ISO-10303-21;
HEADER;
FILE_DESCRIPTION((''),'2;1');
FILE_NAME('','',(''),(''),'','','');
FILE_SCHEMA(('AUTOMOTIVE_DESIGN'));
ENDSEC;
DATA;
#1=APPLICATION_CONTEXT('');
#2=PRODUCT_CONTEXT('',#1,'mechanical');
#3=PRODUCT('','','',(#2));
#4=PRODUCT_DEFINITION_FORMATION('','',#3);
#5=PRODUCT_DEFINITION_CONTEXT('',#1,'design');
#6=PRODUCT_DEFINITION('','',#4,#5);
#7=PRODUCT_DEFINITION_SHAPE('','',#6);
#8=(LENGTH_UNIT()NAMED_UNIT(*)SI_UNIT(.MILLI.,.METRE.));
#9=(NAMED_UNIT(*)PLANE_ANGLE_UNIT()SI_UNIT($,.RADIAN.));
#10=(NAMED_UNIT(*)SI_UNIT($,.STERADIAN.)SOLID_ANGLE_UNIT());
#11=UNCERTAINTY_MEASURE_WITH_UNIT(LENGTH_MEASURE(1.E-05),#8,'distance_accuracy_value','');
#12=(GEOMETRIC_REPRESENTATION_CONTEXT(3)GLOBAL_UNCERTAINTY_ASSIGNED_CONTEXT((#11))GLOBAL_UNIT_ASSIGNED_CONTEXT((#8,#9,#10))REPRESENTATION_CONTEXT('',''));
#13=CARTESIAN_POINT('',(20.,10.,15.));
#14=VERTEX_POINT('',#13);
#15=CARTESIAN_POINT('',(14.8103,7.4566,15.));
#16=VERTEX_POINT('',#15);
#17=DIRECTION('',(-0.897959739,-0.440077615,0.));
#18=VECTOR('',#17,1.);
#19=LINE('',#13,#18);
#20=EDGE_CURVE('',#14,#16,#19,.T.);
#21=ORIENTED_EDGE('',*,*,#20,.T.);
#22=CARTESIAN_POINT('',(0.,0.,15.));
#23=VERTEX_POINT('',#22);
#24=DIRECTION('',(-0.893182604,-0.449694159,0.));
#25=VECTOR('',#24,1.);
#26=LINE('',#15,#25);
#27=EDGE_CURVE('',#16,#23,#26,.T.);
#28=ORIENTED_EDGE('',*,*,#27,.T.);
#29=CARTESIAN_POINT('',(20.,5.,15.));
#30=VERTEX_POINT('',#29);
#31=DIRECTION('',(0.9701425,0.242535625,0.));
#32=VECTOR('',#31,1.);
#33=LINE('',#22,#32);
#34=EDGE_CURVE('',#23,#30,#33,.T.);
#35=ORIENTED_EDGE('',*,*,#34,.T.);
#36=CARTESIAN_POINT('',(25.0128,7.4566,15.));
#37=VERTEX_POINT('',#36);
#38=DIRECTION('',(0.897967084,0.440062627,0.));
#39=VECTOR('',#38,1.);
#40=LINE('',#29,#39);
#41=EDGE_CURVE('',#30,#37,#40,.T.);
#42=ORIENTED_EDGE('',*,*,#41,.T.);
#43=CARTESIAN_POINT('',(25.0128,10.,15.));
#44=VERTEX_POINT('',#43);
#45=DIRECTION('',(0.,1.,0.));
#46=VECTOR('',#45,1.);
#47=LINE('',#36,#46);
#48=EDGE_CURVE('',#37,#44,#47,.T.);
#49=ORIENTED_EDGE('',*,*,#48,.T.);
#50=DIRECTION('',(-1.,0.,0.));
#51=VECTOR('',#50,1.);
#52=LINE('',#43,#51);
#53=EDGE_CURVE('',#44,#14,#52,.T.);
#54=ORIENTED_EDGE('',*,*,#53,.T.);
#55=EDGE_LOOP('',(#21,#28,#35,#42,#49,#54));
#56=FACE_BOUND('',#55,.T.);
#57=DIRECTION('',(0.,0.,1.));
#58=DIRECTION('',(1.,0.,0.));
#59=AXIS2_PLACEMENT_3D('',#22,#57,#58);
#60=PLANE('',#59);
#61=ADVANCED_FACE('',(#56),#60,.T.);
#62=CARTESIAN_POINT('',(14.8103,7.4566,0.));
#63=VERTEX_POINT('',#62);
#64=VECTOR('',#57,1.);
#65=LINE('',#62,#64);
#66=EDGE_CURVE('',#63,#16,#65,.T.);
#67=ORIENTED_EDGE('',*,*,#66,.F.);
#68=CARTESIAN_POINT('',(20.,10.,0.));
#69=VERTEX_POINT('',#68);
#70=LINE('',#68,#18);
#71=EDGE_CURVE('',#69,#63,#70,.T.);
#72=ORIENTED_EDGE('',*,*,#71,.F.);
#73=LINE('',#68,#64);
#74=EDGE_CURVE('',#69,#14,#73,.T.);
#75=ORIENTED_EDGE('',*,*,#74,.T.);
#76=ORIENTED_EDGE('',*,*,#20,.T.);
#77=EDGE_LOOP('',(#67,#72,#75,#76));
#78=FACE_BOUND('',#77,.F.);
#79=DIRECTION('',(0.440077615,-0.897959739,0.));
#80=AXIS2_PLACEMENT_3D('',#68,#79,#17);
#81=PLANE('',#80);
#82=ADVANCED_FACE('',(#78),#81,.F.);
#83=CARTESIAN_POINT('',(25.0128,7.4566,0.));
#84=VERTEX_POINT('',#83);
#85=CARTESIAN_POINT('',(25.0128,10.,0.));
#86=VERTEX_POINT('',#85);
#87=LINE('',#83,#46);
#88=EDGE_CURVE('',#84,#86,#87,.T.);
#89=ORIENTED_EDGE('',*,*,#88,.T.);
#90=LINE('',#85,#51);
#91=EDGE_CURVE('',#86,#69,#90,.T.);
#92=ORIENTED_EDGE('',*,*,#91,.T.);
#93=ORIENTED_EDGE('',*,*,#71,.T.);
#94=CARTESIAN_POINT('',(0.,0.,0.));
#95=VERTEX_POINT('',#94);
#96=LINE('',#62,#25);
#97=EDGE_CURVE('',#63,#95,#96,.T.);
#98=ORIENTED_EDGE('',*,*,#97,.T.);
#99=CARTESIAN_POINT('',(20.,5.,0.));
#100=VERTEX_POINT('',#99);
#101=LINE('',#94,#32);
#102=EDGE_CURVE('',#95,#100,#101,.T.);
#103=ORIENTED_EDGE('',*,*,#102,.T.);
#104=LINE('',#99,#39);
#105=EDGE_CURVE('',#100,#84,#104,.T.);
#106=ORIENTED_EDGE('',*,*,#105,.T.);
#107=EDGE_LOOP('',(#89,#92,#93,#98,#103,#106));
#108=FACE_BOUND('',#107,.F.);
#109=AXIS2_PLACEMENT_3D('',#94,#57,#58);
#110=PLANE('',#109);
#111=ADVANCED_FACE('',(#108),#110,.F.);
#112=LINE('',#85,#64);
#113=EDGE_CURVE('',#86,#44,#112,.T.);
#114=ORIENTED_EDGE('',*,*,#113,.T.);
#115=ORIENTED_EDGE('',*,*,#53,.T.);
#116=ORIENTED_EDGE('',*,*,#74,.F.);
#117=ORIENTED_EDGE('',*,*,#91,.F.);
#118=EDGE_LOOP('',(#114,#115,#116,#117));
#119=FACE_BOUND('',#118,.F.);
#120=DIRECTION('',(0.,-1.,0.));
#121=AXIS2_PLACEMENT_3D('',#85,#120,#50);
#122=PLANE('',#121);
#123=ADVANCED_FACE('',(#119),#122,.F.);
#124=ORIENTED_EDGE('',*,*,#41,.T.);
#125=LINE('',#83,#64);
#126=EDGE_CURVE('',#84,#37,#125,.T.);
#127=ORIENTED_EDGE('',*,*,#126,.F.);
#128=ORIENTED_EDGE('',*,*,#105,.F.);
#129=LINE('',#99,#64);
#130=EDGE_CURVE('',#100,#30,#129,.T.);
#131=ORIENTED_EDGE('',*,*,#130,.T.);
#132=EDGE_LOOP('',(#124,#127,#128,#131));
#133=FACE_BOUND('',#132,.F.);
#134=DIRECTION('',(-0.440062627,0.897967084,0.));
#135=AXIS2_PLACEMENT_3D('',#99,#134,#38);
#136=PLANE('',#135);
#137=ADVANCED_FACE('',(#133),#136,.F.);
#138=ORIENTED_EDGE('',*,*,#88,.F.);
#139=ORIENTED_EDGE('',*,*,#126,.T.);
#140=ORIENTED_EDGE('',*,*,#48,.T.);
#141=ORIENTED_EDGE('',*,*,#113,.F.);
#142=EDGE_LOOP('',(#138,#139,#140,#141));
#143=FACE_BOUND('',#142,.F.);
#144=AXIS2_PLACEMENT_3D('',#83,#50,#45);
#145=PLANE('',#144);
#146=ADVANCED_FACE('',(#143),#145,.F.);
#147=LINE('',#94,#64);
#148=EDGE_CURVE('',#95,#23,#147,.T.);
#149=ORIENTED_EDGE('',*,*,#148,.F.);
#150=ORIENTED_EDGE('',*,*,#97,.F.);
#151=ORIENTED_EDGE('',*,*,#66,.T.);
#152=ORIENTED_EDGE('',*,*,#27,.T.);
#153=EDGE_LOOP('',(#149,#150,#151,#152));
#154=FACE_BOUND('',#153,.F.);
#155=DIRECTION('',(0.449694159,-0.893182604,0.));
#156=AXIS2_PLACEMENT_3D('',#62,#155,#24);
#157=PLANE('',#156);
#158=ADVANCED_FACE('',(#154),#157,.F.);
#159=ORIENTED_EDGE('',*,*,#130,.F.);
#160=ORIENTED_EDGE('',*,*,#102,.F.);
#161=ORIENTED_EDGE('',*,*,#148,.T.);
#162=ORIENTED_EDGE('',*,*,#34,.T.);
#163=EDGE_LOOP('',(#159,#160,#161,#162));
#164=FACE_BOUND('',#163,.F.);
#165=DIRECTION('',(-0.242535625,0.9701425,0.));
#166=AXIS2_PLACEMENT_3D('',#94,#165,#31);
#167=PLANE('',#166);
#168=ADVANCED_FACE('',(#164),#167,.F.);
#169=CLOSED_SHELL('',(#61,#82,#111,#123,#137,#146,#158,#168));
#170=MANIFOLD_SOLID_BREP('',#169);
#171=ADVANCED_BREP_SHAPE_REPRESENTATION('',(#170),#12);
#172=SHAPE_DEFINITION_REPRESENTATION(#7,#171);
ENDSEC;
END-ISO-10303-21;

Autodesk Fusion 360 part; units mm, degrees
sketch "Sketch4" plane through (0, 0, 0) normal (0, 0, 1) x (1, 0, 0)
  line L0 (0, 0) -> (30, 0)
  line L1 (30, 0) -> (30, 10)
  line L2 (30, 10) -> (0, 10)
  line L3 (0, 10) -> (0, 0)
sketch "Sketch5" plane through (0, 0, 0) normal (0, 0, 1) x (1, 0, 0)
  line L0 (0, 0) -> (20, 5)
  line L1 (20, 5) -> (25.0128, 7.4566)
  line L2 (25.0128, 7.4566) -> (25.0128, 10)
  line L3 (25.0128, 10) -> (20, 10)
  line L4 (20, 10) -> (14.8103, 7.4566)
  line L5 (14.8103, 7.4566) -> (0, 0)
extrude "Extrude9" add sketch "Sketch5" along normal blind 15
